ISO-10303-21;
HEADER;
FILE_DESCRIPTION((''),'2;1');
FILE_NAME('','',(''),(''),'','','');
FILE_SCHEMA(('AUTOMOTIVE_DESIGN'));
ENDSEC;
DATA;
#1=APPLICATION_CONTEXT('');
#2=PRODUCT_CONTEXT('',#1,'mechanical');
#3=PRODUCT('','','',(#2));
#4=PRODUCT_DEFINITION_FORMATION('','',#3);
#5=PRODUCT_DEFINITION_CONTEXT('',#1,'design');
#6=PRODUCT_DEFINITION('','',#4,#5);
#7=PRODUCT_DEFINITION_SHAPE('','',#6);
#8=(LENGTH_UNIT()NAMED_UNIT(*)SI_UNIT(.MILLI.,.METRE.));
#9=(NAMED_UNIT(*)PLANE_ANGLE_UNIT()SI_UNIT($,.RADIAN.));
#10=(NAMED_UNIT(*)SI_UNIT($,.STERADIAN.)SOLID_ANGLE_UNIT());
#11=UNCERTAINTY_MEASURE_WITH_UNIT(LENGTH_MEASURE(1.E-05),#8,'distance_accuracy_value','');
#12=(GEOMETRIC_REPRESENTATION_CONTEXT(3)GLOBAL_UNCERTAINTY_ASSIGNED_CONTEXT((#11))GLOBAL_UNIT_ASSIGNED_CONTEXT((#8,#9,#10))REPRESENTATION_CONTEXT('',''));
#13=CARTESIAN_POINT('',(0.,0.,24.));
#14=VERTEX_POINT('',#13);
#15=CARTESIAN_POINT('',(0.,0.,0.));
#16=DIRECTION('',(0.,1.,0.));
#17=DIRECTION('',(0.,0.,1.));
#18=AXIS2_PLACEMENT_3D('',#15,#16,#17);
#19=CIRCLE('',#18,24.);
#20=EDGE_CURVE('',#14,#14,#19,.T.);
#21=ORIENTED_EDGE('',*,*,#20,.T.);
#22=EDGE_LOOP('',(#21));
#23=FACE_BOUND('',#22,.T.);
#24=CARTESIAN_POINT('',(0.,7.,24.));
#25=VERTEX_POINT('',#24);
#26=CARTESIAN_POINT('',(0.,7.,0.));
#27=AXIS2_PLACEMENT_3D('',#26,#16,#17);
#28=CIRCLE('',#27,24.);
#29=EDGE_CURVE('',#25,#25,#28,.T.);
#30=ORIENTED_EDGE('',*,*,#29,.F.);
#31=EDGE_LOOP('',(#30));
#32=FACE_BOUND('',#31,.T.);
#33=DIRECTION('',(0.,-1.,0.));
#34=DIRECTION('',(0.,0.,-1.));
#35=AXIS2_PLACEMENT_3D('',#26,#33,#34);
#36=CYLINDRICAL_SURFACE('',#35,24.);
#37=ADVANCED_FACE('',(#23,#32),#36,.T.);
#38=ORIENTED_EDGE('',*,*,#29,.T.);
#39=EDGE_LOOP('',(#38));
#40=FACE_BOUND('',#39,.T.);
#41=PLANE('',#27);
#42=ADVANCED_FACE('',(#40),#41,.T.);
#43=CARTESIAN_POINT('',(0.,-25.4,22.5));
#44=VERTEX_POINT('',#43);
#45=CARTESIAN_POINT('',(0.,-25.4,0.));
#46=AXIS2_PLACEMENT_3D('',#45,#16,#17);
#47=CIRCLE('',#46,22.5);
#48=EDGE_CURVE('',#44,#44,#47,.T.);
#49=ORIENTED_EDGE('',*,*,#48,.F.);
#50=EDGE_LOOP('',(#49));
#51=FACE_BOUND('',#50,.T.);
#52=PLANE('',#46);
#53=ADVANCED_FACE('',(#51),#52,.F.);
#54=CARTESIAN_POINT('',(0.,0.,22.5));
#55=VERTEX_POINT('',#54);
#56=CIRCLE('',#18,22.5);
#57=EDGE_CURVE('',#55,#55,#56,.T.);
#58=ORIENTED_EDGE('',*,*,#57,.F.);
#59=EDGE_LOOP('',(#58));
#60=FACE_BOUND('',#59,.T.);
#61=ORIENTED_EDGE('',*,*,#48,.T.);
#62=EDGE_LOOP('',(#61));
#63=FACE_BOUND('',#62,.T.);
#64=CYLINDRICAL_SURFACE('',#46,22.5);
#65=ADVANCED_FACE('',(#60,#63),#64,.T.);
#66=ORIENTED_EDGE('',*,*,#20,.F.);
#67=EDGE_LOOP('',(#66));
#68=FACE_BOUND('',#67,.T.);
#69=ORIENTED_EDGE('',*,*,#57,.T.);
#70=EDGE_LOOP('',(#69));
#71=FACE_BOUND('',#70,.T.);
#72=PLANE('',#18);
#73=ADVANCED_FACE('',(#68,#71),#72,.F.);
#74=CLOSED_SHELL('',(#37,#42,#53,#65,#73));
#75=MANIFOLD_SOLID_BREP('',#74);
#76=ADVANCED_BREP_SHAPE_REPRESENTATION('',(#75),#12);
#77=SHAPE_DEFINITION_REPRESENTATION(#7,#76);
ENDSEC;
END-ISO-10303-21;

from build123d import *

# Parameters (mm, degrees)
SKETCH1_R           = 22.5
BOSS_EXTRUDE1_DEPTH = 25.4
SKETCH2_R           = 24
BOSS_EXTRUDE2_DEPTH = 7


with BuildPart() as part:
    # Sketch1 → Boss-Extrude1 (new body)
    with BuildSketch(Plane(origin=(0, 0, 0), x_dir=(1, 0, 0), z_dir=(0, 1, 0))):
        with Locations(Location((0, 0, 0), (0, 0, 270))):
            Circle(SKETCH1_R)
    extrude(amount=-BOSS_EXTRUDE1_DEPTH)

    # Sketch2 → Boss-Extrude2 (add)
    with BuildSketch(Plane(origin=(0, 0, 0), x_dir=(1, 0, 0), z_dir=(0, 1, 0))):
        with Locations(Location((0, 0, 0), (0, 0, 270))):
            Circle(SKETCH2_R)
    extrude(amount=BOSS_EXTRUDE2_DEPTH)


solid = part.part
